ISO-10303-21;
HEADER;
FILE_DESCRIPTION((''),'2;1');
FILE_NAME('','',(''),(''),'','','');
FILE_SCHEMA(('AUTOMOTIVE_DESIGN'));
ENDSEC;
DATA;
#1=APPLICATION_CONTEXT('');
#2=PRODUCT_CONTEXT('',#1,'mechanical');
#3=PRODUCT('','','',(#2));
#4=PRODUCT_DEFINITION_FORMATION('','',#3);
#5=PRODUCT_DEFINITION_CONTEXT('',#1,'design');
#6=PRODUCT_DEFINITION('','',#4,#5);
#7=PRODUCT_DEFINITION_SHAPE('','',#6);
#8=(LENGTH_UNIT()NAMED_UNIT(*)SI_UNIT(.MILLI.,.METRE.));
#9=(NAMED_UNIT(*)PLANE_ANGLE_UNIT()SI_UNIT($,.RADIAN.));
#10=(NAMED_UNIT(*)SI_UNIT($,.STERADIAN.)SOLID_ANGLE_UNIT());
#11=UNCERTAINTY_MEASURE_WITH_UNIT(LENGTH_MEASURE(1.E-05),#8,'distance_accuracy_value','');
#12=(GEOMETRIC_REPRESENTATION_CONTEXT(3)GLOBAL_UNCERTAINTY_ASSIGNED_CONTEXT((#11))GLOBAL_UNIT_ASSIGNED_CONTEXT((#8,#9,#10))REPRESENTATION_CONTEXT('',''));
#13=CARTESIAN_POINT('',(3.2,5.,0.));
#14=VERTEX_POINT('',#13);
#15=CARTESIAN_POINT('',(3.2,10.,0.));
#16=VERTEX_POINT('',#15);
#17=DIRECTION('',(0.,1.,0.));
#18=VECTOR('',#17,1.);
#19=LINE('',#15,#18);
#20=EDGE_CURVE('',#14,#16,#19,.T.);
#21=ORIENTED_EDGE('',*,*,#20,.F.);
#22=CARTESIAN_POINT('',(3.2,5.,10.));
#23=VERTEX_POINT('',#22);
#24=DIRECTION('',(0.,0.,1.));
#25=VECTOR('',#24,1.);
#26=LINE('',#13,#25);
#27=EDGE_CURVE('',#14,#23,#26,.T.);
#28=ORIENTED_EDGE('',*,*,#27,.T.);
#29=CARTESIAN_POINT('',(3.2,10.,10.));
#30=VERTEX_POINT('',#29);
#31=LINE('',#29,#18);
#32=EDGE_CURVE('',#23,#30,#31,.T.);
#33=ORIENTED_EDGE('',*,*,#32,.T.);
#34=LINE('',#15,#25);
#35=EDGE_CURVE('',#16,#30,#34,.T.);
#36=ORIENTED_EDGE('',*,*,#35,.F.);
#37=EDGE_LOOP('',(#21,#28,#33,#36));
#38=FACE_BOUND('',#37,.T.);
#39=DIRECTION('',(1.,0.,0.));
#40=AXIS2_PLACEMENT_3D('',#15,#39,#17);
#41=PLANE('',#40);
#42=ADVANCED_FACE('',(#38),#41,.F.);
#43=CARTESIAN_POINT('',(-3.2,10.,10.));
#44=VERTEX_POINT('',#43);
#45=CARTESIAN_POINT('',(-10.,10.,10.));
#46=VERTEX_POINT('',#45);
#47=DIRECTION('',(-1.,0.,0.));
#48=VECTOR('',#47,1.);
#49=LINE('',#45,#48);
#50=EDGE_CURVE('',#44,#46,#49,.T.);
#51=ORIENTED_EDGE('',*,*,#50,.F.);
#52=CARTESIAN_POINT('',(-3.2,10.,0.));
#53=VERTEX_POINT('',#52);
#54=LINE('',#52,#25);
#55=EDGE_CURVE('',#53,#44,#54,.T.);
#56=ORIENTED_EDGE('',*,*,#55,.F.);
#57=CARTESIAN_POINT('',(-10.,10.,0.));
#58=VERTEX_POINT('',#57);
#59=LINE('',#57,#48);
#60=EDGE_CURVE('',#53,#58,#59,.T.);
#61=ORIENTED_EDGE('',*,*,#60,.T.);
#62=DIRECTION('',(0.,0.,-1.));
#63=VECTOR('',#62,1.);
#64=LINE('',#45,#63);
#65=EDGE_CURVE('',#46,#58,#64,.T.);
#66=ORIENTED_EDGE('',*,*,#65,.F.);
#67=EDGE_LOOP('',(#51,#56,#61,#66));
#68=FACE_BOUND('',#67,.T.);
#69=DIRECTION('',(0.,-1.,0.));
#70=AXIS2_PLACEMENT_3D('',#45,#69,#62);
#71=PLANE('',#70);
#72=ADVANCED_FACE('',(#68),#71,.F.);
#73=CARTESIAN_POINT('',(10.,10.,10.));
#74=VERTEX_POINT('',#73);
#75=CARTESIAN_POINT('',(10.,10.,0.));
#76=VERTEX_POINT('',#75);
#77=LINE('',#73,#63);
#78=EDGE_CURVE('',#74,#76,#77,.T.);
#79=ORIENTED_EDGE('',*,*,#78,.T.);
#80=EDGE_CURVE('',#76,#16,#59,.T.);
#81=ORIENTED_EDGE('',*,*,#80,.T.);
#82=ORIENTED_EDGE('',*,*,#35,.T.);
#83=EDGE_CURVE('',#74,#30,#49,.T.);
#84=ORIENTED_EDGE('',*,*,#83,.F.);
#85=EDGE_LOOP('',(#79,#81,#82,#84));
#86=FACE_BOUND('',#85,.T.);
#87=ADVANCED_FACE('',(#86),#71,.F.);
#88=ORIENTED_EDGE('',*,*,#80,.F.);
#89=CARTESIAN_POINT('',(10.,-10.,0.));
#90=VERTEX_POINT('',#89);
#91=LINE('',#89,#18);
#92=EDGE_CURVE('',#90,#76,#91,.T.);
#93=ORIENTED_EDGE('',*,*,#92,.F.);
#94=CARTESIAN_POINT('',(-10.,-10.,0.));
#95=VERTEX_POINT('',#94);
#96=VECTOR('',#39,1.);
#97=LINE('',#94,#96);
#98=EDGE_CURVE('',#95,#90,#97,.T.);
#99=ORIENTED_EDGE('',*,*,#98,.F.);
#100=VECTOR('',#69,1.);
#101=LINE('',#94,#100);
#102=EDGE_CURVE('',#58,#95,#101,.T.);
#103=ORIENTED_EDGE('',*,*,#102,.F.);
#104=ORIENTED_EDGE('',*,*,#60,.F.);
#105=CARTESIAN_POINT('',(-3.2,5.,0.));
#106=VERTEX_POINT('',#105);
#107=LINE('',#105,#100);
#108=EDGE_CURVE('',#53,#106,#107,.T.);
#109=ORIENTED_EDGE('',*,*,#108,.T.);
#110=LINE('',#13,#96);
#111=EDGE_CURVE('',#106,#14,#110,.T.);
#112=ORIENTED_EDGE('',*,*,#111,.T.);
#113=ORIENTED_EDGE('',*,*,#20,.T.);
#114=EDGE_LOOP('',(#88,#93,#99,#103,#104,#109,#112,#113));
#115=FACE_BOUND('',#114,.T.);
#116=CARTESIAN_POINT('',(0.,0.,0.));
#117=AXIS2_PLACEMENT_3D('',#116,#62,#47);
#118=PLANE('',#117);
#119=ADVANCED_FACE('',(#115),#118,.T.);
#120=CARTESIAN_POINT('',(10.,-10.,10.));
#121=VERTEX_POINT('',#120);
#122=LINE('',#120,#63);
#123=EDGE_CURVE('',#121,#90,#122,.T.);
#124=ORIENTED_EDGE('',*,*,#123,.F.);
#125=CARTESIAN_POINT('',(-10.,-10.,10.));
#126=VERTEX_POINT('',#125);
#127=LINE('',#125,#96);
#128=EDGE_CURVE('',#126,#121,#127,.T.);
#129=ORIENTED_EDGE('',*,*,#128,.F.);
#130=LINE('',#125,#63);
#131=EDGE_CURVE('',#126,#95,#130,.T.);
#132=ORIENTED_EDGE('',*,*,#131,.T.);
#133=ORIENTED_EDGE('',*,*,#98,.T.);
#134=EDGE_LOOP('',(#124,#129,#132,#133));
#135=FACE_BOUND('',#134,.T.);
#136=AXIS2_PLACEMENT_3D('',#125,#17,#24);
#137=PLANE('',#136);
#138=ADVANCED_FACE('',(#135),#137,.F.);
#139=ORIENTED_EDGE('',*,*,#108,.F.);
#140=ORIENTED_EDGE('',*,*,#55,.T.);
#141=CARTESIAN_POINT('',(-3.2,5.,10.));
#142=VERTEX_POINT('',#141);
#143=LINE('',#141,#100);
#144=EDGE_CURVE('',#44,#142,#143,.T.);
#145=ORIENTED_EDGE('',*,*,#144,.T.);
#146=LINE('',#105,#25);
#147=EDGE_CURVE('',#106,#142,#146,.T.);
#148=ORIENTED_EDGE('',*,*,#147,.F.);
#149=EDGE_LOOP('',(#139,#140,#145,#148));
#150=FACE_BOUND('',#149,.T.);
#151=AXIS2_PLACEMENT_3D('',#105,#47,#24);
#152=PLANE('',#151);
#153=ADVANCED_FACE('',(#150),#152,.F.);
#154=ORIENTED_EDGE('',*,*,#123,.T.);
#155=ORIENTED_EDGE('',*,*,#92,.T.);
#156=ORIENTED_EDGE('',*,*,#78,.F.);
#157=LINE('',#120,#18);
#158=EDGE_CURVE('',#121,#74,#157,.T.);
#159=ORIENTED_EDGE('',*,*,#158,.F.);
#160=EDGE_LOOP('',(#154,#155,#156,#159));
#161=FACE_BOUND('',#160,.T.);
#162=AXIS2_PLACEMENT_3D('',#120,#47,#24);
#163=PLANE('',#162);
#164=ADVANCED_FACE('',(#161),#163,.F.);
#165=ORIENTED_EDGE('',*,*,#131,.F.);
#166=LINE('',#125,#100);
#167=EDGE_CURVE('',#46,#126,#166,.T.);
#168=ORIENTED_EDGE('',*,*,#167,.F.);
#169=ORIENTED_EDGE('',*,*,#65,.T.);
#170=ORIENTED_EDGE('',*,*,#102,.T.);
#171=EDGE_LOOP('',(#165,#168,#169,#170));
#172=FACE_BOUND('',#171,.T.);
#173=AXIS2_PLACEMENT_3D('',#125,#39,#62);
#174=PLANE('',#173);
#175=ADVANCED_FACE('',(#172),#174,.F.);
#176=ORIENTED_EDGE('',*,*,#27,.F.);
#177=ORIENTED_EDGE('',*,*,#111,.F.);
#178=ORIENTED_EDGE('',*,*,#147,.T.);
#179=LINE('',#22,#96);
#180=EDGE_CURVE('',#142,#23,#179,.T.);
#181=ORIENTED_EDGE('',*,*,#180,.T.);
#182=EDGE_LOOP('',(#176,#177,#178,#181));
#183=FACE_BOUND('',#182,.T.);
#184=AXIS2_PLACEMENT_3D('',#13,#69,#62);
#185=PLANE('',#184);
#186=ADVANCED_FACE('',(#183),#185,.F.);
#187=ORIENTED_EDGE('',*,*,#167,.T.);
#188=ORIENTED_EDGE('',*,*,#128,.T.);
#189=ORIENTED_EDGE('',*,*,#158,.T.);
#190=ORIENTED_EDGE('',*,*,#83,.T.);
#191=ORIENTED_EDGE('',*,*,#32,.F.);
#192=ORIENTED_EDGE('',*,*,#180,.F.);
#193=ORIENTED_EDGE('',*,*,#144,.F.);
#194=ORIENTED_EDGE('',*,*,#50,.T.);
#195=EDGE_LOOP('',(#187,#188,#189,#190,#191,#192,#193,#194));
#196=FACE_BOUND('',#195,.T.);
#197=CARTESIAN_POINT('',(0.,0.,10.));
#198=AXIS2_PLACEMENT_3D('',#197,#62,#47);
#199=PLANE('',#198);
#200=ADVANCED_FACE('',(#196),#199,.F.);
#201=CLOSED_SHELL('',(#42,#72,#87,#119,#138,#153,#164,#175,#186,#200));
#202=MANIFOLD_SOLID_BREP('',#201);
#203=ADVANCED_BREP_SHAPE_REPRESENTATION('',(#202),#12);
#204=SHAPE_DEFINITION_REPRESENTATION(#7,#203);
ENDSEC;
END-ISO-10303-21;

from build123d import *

# Parameters (mm, degrees)
SKETCH_1_W          = 20
SKETCH_1_H          = 20
EXTRUDE_1_DEPTH     = 10
CUT_EXTRUDE_1_DEPTH = 10


with BuildPart() as part:
    # 草图1 → 凸台-拉伸1 (new body)
    with BuildSketch(Plane.XY):
        Rectangle(SKETCH_1_W, SKETCH_1_H)
    extrude(amount=EXTRUDE_1_DEPTH)

    # 草图2 → 切除-拉伸1 (cut)
    with BuildSketch(Plane.XY.offset(10)):
        Polygon((0, 10), (3.2, 10), (3.2, 5), (-3.2, 5), (-3.2, 10), align=None)
    extrude(amount=-CUT_EXTRUDE_1_DEPTH, mode=Mode.SUBTRACT)


solid = part.part
